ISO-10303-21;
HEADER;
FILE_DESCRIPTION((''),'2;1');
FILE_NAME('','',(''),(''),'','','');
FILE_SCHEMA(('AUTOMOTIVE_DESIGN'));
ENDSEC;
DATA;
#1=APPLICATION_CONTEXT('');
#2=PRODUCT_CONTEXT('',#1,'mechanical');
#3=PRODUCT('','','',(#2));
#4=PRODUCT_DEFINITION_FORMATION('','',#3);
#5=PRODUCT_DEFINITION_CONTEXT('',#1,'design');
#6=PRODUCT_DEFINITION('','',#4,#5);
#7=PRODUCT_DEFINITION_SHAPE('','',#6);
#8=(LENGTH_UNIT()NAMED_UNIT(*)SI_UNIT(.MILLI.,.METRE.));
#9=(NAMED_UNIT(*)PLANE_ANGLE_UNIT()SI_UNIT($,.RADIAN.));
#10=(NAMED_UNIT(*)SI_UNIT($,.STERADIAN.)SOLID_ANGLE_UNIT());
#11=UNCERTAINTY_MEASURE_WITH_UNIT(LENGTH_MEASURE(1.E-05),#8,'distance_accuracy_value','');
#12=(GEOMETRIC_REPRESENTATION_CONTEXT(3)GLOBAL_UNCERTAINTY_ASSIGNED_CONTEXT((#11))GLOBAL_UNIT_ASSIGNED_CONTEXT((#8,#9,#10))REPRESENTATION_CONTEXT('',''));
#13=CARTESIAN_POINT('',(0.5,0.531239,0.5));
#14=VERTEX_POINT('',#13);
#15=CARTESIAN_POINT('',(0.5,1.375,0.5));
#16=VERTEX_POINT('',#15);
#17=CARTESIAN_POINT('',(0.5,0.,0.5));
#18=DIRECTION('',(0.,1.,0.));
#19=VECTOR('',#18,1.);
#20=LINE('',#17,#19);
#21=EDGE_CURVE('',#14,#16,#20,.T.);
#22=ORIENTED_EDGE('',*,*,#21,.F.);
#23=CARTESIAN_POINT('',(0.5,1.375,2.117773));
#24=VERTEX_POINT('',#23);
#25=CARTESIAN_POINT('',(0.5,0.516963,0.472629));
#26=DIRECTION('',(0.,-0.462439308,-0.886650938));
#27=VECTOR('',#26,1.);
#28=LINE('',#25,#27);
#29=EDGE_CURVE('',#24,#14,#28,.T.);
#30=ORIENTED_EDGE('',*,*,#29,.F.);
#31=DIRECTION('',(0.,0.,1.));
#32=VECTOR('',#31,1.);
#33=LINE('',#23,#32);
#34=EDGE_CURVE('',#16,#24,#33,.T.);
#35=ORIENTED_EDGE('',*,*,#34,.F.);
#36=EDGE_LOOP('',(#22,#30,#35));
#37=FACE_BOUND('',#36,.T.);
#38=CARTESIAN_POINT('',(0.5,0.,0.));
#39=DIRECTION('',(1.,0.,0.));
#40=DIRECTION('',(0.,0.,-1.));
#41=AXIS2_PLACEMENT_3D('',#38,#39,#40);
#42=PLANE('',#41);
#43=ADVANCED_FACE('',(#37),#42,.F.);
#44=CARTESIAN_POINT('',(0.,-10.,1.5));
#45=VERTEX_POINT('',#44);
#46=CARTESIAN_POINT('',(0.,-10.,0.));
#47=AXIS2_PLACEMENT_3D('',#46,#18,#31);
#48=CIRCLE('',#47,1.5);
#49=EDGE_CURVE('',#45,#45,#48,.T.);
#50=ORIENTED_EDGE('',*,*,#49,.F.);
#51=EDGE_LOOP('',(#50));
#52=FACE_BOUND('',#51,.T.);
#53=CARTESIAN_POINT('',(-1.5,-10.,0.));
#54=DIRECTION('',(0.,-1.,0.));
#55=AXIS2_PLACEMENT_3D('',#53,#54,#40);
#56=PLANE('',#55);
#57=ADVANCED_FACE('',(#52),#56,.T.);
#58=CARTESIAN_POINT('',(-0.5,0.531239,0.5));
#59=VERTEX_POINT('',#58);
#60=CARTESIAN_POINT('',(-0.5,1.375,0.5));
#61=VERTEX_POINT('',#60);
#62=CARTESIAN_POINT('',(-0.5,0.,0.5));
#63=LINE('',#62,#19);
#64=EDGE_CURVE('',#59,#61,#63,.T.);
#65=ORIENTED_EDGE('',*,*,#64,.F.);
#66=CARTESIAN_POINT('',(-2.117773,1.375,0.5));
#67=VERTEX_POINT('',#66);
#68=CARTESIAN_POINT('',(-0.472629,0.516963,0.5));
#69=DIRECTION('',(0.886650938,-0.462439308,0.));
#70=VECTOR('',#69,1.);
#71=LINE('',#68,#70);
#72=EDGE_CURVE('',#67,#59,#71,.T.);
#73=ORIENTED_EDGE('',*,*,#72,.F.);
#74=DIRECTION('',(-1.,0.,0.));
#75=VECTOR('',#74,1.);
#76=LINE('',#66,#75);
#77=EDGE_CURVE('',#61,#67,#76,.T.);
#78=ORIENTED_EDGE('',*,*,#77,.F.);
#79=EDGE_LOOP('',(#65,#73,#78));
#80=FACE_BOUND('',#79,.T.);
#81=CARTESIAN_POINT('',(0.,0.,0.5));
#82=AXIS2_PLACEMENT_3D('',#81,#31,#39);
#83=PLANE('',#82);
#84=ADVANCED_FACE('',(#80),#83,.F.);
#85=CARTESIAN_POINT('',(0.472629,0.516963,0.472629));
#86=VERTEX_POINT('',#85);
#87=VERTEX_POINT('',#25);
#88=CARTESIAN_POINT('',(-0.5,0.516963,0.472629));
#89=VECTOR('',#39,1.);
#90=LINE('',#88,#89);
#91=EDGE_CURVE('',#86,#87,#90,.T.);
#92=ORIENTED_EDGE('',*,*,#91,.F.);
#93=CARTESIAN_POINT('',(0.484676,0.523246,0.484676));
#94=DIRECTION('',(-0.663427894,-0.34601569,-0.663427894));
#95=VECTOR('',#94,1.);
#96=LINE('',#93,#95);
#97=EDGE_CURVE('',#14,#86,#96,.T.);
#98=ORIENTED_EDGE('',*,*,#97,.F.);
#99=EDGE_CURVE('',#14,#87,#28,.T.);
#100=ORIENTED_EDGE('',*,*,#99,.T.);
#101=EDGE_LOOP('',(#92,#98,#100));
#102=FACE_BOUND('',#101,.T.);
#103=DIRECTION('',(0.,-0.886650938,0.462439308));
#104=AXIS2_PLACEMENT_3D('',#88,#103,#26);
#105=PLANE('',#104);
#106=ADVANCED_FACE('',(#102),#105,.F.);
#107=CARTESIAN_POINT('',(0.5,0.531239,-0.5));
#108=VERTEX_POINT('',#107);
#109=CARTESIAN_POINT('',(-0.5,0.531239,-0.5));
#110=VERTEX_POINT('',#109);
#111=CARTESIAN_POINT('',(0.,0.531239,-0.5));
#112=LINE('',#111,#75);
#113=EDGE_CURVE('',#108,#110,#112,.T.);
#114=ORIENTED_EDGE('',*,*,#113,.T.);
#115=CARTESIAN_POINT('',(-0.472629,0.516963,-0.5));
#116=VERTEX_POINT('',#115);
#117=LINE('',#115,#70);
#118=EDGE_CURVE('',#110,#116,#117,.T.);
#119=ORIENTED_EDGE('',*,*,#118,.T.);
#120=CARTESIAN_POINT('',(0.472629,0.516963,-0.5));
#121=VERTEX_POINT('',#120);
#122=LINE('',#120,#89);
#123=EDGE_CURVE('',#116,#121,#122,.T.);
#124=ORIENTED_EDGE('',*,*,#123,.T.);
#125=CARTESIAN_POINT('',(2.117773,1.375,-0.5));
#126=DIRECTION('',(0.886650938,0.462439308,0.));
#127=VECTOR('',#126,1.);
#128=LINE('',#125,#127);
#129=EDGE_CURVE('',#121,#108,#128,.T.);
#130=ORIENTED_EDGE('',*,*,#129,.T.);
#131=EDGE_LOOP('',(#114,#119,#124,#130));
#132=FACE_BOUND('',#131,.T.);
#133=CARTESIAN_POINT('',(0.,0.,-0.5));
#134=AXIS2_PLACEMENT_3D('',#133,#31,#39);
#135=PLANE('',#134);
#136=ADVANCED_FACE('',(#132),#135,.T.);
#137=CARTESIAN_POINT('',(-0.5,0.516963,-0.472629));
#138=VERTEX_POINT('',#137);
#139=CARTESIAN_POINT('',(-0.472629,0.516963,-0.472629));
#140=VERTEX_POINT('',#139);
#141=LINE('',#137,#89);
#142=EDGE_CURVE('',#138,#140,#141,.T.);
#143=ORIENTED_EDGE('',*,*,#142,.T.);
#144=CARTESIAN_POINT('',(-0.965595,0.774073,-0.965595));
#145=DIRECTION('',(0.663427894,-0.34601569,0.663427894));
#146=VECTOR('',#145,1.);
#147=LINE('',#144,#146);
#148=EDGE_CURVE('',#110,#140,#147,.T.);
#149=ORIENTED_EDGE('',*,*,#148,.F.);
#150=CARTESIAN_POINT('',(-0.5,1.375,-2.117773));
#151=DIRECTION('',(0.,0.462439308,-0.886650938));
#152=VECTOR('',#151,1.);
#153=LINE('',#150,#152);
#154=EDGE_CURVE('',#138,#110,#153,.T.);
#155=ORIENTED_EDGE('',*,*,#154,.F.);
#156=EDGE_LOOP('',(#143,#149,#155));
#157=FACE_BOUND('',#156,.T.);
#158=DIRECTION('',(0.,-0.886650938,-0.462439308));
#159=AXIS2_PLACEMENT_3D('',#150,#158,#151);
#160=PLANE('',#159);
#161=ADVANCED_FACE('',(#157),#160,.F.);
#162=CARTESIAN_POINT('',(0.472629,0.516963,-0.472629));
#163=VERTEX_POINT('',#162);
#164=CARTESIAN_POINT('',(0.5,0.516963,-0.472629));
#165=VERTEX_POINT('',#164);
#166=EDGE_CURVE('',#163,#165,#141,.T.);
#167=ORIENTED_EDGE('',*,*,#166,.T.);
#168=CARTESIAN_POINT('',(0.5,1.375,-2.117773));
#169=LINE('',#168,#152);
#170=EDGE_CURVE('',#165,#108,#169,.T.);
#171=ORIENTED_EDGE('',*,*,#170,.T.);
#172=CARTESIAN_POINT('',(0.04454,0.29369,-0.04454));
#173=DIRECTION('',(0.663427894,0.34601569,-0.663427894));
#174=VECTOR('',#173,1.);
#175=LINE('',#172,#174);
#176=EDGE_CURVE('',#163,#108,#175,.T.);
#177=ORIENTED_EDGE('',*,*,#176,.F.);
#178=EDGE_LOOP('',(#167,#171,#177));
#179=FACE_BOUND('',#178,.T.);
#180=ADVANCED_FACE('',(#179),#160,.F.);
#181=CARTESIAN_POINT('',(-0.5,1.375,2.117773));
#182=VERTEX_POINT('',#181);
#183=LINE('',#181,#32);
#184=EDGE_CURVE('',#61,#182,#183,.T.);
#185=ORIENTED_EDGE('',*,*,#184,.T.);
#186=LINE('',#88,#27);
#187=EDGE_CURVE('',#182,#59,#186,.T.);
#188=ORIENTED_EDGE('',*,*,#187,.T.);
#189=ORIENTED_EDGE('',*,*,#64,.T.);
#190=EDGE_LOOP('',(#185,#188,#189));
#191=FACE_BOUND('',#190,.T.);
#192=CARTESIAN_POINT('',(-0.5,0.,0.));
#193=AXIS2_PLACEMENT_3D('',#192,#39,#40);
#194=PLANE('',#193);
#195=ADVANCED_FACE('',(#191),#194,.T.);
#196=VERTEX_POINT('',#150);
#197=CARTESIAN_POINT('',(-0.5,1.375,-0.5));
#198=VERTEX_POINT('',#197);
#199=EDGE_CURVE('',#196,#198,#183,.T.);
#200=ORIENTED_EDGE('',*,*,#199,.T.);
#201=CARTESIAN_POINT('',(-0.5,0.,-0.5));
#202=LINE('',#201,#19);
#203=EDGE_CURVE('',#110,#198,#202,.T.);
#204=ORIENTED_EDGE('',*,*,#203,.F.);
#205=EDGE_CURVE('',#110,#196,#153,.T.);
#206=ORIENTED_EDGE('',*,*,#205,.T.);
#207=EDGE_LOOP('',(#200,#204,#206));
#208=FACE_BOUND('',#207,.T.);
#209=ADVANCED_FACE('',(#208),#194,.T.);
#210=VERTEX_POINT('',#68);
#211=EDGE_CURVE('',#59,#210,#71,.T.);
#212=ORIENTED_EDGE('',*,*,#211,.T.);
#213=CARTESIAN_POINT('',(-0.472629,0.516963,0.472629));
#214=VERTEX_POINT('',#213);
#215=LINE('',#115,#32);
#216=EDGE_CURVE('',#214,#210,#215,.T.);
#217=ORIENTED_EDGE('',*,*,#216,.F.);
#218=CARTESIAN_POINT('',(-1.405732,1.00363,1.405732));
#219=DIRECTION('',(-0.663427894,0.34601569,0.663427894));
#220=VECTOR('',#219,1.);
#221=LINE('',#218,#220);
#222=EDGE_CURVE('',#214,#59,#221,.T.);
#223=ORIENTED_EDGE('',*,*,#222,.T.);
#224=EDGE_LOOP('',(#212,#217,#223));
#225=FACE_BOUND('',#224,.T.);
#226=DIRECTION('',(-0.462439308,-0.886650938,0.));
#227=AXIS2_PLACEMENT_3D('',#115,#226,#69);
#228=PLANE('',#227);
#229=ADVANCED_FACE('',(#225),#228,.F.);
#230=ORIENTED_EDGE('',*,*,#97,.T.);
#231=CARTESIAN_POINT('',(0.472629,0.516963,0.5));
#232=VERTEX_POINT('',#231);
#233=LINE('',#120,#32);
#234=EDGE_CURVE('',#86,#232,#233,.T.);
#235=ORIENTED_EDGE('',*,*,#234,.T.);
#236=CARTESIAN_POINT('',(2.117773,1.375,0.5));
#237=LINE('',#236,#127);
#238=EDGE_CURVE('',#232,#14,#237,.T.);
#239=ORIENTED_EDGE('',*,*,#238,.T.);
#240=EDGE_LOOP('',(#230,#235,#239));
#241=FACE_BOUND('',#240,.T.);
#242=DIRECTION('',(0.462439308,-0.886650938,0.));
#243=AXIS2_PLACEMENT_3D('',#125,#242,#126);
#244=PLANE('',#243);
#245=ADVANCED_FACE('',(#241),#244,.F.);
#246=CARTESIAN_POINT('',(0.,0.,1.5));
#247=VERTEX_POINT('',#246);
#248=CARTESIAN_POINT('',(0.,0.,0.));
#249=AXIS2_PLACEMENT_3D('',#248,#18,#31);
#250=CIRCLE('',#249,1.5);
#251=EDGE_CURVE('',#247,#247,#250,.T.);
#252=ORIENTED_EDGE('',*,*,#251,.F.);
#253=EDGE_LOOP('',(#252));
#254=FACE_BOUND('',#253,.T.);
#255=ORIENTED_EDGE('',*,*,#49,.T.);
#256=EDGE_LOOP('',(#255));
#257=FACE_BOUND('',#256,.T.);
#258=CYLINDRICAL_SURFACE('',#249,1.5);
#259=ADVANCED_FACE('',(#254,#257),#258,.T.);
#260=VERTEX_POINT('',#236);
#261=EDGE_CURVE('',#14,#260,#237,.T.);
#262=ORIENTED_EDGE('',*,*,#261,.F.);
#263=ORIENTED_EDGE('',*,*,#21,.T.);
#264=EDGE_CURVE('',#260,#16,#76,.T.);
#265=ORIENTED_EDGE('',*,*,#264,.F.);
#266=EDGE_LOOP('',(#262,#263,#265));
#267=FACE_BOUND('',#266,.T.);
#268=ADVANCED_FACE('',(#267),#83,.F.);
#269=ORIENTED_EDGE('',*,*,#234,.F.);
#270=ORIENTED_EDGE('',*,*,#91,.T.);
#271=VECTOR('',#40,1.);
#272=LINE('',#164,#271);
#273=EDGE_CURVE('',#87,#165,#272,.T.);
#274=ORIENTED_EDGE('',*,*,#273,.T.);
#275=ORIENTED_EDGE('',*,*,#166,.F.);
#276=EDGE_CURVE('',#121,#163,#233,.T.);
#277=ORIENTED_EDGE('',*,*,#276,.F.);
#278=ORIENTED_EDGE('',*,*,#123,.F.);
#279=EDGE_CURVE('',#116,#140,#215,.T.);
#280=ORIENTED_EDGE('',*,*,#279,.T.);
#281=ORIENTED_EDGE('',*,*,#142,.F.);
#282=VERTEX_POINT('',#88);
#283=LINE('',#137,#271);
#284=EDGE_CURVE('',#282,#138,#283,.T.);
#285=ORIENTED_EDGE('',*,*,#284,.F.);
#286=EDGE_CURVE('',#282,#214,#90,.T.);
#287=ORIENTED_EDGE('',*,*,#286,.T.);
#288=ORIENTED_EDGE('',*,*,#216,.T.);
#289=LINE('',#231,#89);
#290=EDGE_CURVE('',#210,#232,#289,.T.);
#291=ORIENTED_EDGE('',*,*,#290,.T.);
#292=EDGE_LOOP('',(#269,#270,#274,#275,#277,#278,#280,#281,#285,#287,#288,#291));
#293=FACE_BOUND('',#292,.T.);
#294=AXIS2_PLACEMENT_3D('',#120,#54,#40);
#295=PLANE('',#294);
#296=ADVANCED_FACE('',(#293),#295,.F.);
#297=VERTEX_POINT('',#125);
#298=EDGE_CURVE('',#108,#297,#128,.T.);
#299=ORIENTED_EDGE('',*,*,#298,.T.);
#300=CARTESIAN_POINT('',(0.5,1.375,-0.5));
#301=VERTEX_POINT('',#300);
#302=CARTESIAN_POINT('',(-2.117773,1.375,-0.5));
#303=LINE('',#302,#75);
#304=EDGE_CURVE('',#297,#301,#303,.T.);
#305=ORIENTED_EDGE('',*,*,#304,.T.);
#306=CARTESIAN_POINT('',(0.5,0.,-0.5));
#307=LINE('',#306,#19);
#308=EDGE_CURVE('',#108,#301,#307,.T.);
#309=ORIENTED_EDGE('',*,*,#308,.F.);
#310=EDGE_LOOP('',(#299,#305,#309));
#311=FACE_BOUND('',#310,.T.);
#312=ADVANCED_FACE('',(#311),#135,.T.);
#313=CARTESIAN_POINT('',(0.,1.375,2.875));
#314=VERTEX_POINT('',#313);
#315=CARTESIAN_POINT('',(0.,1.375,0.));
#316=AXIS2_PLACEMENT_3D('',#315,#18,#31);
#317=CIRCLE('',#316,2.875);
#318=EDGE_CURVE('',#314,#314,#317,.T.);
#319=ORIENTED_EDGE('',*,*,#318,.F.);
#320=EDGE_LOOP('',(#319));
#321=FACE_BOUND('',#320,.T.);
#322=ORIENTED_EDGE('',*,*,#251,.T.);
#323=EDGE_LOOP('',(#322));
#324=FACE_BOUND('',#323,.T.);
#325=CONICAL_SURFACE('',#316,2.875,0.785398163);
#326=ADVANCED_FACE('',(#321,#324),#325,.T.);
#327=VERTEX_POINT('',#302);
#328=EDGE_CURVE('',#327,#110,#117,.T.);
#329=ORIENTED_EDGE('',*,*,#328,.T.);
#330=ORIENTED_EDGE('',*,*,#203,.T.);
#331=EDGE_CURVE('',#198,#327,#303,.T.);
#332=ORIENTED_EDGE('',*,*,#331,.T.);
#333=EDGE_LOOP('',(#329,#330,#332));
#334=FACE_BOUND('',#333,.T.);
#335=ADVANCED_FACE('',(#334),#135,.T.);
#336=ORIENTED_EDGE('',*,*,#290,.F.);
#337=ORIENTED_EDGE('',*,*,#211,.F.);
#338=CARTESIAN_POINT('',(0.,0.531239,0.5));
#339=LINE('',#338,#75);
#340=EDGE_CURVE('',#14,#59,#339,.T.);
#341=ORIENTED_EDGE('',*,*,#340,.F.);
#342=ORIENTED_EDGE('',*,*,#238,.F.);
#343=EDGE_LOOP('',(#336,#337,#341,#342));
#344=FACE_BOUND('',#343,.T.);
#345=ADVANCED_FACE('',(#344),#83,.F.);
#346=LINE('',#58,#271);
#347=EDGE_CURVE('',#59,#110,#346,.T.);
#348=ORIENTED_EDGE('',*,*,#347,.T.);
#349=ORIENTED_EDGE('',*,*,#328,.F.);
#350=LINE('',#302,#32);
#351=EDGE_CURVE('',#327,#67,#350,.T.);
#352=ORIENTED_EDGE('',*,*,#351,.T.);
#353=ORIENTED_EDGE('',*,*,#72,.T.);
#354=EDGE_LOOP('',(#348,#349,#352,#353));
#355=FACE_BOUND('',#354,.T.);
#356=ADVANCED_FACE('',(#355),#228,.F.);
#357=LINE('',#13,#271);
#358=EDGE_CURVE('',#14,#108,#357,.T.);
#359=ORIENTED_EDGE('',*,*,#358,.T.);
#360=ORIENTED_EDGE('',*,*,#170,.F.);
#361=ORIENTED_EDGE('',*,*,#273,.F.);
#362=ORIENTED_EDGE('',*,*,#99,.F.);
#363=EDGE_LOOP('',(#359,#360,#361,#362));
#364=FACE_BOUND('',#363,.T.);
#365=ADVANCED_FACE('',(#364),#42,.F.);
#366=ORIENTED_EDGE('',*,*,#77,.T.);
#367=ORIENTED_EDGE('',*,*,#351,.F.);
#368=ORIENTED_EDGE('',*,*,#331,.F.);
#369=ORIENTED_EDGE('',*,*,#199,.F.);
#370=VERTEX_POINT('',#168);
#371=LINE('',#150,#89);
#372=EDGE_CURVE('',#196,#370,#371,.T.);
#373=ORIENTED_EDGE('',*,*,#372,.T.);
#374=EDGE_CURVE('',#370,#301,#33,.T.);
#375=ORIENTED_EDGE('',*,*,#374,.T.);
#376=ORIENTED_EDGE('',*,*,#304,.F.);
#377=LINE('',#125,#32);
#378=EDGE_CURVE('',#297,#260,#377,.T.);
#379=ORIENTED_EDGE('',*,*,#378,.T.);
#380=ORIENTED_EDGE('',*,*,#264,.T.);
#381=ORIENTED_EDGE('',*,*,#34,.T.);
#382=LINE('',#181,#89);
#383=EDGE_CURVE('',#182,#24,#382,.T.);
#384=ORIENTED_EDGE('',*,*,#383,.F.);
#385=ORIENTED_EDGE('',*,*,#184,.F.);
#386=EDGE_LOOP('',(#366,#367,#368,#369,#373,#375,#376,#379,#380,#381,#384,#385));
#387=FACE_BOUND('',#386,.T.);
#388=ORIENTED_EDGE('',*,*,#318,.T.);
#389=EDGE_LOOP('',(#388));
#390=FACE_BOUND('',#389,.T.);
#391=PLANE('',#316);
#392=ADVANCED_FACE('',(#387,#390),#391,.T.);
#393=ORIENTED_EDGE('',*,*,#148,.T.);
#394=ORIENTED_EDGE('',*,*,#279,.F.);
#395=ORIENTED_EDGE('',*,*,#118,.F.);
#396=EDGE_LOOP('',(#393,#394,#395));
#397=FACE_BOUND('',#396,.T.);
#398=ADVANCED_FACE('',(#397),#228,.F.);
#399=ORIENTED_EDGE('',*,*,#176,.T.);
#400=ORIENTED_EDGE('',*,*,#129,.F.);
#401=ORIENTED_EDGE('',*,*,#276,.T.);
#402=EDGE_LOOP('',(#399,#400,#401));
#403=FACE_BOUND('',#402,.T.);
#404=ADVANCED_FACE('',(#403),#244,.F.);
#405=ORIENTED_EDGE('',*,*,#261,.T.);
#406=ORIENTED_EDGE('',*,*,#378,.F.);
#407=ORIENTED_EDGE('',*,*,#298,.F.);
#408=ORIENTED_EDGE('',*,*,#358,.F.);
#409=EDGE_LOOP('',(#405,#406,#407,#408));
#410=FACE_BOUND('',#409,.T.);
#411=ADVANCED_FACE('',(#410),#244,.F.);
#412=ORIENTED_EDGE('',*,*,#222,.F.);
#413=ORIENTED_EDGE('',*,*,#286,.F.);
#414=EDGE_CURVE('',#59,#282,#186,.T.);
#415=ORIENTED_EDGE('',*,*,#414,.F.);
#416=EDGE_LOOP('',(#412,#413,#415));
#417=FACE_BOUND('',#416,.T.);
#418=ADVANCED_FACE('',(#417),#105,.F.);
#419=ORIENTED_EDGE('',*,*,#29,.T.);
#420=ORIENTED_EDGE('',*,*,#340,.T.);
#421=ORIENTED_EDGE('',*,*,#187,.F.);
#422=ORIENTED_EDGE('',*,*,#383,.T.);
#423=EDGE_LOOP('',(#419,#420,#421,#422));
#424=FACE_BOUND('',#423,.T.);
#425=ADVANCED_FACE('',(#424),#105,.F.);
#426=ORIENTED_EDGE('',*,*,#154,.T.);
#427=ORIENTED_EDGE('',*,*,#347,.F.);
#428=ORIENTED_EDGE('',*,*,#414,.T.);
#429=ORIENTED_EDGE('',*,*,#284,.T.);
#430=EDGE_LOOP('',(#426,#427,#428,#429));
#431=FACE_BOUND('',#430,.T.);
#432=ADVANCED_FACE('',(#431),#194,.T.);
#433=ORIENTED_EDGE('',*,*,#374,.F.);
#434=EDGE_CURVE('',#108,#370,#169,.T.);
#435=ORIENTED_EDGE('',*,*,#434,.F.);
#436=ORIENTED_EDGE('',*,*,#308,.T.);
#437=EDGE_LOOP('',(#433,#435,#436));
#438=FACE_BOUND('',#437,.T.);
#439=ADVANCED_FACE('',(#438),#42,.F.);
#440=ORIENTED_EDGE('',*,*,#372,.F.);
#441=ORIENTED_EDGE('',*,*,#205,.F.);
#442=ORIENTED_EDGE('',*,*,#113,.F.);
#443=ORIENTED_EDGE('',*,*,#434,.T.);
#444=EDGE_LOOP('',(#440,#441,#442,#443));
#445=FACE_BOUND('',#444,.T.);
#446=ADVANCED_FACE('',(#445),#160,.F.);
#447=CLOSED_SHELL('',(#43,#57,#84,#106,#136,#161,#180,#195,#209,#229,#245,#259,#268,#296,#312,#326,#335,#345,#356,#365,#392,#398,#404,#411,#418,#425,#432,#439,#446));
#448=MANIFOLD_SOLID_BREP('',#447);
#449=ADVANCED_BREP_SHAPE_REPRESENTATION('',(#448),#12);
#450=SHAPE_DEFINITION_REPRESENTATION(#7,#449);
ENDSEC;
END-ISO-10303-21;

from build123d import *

# Parameters (mm, degrees)
CUT_EXTRUDE1_DEPTH = 0.5
CIRPATTERN1_COUNT  = 4


with BuildPart() as part:
    # Sketch1 → Revolve1 (revolve)
    with BuildSketch(Plane.XY):
        Polygon((-1.5, 0), (-1.5, -10), (0, -10), (0, 1.375), (-2.875, 1.375), align=None)
    revolve(axis=Axis((0, 0, 0), (0, -1, 0)))

    # Sketch2 → Cut-Extrude1 (cut, symmetric)
    with BuildSketch(Plane.XY):
        Polygon((-2.11777299, 1.375), (2.11777299, 1.375), (0.472629215, 0.516963183), (-0.472629215, 0.516963183), align=None)
    cut_extrude1 = extrude(amount=CUT_EXTRUDE1_DEPTH, both=True, mode=Mode.SUBTRACT)

    # CirPattern1: Cut-Extrude1 ×4 about axis
    cirpattern1_axis = Axis((0, 0, 0), (0, 1, 0))
    for i in range(1, CIRPATTERN1_COUNT):
        add(cut_extrude1.rotate(cirpattern1_axis, i * 360 / CIRPATTERN1_COUNT), mode=Mode.SUBTRACT)


solid = part.part
